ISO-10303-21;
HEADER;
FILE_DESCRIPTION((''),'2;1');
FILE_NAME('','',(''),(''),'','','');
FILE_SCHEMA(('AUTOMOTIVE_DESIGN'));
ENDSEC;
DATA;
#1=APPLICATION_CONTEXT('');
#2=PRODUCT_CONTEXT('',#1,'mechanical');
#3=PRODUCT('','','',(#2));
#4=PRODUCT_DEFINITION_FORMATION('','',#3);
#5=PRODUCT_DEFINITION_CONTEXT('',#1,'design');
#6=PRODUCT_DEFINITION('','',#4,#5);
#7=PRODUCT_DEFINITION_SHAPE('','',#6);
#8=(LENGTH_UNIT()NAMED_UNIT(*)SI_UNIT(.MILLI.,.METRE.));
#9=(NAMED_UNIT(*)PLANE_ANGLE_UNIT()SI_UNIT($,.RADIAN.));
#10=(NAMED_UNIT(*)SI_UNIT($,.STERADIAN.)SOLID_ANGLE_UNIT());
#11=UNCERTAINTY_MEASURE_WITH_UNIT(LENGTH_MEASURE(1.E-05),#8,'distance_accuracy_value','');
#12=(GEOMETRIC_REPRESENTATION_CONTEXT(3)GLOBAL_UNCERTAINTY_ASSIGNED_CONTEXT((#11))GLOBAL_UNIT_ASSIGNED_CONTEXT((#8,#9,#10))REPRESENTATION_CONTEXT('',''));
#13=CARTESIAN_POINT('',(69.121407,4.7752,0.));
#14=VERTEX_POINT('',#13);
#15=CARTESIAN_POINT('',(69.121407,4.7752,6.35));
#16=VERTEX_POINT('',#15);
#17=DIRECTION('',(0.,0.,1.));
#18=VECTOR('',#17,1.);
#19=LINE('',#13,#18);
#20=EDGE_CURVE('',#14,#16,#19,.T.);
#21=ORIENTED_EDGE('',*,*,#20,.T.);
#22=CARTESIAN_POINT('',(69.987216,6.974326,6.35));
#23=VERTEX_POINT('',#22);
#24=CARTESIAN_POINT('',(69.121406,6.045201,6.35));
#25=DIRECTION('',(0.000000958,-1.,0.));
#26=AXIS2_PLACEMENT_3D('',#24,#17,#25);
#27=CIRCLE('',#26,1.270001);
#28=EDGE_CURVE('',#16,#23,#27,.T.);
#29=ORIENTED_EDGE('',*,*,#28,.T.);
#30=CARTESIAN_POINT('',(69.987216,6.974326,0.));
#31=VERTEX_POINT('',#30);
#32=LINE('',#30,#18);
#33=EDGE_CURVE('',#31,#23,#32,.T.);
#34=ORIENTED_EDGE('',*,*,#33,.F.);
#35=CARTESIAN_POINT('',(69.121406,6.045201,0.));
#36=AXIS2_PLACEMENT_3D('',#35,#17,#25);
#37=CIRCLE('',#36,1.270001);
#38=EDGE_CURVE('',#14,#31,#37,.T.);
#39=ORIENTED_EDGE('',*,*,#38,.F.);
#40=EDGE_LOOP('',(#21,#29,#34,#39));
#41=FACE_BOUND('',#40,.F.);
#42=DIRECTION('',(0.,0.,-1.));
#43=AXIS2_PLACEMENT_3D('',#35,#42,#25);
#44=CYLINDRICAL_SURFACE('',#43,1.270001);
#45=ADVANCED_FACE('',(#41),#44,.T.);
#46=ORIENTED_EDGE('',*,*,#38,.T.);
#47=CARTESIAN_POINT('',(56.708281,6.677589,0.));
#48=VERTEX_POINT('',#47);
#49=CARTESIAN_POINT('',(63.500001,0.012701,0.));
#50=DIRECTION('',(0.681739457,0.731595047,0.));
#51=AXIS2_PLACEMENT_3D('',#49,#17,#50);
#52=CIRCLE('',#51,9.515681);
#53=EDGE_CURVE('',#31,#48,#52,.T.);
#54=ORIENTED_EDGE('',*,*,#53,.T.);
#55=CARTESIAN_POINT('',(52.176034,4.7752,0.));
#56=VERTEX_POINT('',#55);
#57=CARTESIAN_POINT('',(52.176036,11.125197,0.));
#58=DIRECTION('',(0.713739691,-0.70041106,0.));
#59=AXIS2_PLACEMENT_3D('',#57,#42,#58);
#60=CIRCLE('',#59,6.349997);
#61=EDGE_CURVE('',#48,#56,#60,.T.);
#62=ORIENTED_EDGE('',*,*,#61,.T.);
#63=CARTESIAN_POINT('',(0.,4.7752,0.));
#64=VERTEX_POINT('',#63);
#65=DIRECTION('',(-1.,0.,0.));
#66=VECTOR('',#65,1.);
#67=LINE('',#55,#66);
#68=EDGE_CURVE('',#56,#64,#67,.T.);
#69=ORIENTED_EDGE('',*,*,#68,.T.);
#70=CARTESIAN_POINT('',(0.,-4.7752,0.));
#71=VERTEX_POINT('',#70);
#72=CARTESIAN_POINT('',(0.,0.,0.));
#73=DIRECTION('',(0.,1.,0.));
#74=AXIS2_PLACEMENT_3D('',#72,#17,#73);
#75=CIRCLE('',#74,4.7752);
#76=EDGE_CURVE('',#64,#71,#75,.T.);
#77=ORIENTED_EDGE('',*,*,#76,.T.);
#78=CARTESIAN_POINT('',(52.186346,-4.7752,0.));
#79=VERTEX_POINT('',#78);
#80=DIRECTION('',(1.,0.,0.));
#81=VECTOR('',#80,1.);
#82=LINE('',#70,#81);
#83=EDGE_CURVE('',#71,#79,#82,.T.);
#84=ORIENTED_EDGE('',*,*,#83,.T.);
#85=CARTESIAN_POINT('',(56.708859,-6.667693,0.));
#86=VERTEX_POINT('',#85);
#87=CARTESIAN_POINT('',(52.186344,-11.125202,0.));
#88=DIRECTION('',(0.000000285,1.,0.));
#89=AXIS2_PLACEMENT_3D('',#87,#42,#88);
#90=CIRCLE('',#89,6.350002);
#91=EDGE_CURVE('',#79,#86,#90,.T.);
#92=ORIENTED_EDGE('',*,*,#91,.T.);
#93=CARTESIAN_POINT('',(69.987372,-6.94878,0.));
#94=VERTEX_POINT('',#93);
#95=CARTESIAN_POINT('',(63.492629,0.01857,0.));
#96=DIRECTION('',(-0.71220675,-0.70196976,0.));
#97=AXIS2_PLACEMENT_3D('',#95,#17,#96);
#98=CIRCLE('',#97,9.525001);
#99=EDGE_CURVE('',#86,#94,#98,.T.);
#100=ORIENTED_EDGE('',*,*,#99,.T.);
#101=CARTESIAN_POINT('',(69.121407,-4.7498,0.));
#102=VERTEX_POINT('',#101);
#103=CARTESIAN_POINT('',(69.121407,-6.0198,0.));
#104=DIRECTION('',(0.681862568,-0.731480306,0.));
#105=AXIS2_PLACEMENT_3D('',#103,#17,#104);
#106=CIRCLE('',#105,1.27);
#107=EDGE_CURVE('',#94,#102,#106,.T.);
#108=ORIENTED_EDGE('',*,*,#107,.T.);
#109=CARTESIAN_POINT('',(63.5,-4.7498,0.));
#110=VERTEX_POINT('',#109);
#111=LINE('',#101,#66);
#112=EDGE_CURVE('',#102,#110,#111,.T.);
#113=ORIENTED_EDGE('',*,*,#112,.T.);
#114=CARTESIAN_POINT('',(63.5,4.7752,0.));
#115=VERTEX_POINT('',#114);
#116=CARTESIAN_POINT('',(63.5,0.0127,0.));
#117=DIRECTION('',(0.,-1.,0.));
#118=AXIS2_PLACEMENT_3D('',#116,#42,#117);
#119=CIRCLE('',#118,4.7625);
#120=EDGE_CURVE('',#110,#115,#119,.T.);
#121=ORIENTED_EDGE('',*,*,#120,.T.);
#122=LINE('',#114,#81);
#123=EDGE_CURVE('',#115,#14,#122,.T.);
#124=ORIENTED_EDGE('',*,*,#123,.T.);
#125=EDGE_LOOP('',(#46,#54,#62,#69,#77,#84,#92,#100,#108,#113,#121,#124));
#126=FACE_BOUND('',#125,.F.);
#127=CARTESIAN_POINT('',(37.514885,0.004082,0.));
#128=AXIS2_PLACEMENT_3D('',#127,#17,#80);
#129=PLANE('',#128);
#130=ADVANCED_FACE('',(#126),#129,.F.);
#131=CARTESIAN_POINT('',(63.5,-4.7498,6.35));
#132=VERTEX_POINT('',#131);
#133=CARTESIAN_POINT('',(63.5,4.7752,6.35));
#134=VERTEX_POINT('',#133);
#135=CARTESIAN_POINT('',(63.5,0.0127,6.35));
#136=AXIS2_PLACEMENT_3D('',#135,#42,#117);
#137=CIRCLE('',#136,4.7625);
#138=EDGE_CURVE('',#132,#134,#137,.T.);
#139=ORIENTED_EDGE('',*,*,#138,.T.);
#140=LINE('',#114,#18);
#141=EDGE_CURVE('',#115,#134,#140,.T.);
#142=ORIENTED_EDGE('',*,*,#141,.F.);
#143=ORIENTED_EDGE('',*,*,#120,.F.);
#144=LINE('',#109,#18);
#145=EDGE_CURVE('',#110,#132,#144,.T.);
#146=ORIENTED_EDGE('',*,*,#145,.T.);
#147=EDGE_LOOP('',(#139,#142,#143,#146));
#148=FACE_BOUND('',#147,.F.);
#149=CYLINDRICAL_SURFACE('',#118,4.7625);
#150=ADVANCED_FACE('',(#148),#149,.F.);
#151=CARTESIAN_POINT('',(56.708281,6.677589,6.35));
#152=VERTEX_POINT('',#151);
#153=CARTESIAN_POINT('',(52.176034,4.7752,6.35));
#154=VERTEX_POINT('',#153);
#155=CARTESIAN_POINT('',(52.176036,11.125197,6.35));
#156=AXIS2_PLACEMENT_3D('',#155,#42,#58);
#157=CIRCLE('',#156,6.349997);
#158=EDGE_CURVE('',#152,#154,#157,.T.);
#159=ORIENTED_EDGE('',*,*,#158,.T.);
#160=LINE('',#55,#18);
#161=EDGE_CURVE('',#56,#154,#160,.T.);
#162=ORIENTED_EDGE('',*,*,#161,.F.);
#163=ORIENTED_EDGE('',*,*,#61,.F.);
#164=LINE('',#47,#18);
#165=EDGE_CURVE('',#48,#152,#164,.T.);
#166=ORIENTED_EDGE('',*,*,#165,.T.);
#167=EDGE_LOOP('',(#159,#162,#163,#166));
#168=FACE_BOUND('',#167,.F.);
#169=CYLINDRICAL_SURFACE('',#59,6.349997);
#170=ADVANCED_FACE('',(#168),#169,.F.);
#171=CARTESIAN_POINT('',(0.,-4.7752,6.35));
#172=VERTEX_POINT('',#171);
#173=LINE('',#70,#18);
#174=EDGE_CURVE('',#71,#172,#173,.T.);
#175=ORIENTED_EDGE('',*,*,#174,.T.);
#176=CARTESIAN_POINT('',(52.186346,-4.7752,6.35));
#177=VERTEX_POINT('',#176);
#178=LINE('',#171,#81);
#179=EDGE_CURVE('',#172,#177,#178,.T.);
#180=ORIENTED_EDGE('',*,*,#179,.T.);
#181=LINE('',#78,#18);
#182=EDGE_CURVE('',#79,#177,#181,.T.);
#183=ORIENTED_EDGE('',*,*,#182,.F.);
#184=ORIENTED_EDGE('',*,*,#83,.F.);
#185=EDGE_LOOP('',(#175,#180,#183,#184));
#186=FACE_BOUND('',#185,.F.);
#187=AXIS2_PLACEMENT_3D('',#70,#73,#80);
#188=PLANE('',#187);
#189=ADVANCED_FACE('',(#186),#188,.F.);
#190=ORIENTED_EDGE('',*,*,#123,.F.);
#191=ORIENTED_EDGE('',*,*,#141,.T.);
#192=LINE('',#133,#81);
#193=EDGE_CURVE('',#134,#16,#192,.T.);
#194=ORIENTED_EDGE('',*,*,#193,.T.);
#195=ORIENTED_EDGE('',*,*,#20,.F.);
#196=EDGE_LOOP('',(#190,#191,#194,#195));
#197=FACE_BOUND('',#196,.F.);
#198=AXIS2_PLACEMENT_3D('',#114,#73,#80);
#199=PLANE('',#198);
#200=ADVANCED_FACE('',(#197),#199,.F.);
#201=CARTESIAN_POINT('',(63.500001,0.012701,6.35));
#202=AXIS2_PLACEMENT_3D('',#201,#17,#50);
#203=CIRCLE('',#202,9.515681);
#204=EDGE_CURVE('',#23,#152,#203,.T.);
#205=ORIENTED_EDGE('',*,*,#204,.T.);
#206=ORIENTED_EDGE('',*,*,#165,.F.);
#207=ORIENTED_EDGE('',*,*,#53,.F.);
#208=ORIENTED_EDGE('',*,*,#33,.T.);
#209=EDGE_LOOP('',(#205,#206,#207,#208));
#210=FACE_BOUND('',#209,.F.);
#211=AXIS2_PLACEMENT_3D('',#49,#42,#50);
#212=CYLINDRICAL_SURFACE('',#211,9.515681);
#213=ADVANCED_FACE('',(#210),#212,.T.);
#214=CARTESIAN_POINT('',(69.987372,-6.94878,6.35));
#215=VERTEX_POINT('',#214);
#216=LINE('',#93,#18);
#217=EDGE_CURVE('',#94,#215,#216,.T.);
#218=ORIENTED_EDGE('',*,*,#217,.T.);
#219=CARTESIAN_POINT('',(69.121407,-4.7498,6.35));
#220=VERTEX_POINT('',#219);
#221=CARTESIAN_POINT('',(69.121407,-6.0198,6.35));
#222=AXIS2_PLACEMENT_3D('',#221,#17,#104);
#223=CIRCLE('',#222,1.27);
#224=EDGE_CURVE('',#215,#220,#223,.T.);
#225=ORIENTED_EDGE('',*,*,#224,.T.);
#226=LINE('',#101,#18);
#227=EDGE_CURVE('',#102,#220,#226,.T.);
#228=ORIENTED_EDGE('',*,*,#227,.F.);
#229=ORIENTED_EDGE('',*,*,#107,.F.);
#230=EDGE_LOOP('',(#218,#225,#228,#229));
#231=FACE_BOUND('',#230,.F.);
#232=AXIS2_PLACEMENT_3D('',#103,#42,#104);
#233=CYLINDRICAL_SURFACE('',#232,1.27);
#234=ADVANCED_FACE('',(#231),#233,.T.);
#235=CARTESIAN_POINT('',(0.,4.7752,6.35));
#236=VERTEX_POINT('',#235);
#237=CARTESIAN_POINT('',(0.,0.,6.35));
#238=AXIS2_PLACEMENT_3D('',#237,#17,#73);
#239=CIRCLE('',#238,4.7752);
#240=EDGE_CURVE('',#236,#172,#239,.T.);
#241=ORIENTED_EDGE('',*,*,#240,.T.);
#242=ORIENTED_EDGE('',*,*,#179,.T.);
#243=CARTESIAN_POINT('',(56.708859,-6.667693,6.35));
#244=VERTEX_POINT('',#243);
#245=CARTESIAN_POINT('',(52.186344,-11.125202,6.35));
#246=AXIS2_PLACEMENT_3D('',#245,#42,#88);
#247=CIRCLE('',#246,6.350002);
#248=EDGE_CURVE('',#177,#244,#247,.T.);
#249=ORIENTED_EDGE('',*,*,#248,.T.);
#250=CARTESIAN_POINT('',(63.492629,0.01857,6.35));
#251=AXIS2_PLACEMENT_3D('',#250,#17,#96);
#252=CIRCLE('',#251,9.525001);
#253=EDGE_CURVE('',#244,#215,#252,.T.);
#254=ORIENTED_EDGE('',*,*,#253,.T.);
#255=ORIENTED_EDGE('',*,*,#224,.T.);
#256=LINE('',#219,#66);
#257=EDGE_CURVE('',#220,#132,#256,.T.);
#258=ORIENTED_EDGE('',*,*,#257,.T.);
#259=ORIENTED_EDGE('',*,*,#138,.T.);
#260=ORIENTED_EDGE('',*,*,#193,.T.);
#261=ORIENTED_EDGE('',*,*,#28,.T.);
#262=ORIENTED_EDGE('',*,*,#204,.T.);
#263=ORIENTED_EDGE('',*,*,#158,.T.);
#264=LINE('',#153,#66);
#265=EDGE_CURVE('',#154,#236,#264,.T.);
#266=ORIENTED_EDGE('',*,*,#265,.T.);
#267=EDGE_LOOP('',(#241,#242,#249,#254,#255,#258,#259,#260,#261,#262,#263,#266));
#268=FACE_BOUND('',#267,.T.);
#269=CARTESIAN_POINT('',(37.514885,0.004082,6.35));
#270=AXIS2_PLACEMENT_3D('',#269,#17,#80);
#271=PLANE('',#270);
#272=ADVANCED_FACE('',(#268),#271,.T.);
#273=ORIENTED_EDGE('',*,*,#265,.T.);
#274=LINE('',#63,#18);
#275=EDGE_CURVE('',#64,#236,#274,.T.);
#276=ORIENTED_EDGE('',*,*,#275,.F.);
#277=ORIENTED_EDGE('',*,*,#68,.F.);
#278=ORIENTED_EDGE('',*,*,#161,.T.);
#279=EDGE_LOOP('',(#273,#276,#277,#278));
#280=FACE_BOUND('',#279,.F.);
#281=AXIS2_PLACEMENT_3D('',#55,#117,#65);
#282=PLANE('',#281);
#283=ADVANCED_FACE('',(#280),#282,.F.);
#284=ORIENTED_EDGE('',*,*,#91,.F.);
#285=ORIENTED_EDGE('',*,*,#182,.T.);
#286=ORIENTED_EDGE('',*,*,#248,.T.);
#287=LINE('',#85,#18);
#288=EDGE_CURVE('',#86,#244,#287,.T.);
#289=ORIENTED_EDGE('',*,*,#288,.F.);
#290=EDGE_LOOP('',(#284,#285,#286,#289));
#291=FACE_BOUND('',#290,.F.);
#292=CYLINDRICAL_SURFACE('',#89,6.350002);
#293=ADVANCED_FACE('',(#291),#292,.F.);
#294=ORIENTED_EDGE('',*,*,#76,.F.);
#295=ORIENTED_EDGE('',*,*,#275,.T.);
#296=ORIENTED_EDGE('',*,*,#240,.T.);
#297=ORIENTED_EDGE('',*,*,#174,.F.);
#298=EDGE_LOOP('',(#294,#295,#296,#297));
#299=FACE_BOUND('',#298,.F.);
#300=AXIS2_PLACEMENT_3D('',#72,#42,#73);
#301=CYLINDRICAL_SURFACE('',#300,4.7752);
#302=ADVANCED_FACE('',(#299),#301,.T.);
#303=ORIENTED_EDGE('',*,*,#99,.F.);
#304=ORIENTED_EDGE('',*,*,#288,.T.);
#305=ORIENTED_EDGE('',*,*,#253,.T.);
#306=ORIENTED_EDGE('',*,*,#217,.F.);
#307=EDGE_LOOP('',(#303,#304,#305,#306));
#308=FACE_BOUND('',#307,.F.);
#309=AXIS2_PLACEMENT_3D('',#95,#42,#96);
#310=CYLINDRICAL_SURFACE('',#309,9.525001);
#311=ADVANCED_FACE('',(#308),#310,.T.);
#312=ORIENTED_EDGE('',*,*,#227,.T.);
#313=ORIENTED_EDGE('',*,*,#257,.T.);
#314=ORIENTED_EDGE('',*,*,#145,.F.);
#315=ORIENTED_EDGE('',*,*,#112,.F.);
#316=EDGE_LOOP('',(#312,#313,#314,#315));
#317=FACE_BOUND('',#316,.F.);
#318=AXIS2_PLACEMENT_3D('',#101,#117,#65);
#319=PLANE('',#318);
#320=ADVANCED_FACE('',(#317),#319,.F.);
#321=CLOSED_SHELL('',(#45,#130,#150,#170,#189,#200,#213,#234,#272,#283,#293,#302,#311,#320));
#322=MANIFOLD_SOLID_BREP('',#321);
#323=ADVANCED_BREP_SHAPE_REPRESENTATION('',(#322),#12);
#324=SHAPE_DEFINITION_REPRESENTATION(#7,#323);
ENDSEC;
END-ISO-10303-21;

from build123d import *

# Parameters (mm, degrees)
F1_DEPTH = 6.35


with BuildPart() as f1:
    # F0 (on Top) → F1 (new body)
    with BuildSketch(Plane.XY):
        with BuildLine():
            ThreePointArc((0, 4.7752), (-4.7752, 0), (0, -4.7752))
            Line((0, -4.7752), (52.186346, -4.7752))
            ThreePointArc((52.186346, -4.7752), (54.637603, -5.267399), (56.708859, -6.667693))
            ThreePointArc((56.708859, -6.667693), (63.291044, -9.504298), (69.987372, -6.94878))
            ThreePointArc((69.987372, -6.94878), (70.30308, -5.554453), (69.121407, -4.7498))
            Line((69.121407, -4.7498), (63.5, -4.7498))
            ThreePointArc((63.5, -4.7498), (58.7375, 0.0127), (63.5, 4.7752))
            Line((63.5, 4.7752), (69.121407, 4.7752))
            ThreePointArc((69.121407, 4.7752), (70.303119, 5.579953), (69.987216, 6.974326))
            ThreePointArc((69.987216, 6.974326), (63.287412, 9.526007), (56.708281, 6.677589))
            ThreePointArc((56.708281, 6.677589), (54.633693, 5.270081), (52.176034, 4.7752))
            Line((52.176034, 4.7752), (0, 4.7752))
        make_face()
    extrude(amount=F1_DEPTH)


solid = f1.part
